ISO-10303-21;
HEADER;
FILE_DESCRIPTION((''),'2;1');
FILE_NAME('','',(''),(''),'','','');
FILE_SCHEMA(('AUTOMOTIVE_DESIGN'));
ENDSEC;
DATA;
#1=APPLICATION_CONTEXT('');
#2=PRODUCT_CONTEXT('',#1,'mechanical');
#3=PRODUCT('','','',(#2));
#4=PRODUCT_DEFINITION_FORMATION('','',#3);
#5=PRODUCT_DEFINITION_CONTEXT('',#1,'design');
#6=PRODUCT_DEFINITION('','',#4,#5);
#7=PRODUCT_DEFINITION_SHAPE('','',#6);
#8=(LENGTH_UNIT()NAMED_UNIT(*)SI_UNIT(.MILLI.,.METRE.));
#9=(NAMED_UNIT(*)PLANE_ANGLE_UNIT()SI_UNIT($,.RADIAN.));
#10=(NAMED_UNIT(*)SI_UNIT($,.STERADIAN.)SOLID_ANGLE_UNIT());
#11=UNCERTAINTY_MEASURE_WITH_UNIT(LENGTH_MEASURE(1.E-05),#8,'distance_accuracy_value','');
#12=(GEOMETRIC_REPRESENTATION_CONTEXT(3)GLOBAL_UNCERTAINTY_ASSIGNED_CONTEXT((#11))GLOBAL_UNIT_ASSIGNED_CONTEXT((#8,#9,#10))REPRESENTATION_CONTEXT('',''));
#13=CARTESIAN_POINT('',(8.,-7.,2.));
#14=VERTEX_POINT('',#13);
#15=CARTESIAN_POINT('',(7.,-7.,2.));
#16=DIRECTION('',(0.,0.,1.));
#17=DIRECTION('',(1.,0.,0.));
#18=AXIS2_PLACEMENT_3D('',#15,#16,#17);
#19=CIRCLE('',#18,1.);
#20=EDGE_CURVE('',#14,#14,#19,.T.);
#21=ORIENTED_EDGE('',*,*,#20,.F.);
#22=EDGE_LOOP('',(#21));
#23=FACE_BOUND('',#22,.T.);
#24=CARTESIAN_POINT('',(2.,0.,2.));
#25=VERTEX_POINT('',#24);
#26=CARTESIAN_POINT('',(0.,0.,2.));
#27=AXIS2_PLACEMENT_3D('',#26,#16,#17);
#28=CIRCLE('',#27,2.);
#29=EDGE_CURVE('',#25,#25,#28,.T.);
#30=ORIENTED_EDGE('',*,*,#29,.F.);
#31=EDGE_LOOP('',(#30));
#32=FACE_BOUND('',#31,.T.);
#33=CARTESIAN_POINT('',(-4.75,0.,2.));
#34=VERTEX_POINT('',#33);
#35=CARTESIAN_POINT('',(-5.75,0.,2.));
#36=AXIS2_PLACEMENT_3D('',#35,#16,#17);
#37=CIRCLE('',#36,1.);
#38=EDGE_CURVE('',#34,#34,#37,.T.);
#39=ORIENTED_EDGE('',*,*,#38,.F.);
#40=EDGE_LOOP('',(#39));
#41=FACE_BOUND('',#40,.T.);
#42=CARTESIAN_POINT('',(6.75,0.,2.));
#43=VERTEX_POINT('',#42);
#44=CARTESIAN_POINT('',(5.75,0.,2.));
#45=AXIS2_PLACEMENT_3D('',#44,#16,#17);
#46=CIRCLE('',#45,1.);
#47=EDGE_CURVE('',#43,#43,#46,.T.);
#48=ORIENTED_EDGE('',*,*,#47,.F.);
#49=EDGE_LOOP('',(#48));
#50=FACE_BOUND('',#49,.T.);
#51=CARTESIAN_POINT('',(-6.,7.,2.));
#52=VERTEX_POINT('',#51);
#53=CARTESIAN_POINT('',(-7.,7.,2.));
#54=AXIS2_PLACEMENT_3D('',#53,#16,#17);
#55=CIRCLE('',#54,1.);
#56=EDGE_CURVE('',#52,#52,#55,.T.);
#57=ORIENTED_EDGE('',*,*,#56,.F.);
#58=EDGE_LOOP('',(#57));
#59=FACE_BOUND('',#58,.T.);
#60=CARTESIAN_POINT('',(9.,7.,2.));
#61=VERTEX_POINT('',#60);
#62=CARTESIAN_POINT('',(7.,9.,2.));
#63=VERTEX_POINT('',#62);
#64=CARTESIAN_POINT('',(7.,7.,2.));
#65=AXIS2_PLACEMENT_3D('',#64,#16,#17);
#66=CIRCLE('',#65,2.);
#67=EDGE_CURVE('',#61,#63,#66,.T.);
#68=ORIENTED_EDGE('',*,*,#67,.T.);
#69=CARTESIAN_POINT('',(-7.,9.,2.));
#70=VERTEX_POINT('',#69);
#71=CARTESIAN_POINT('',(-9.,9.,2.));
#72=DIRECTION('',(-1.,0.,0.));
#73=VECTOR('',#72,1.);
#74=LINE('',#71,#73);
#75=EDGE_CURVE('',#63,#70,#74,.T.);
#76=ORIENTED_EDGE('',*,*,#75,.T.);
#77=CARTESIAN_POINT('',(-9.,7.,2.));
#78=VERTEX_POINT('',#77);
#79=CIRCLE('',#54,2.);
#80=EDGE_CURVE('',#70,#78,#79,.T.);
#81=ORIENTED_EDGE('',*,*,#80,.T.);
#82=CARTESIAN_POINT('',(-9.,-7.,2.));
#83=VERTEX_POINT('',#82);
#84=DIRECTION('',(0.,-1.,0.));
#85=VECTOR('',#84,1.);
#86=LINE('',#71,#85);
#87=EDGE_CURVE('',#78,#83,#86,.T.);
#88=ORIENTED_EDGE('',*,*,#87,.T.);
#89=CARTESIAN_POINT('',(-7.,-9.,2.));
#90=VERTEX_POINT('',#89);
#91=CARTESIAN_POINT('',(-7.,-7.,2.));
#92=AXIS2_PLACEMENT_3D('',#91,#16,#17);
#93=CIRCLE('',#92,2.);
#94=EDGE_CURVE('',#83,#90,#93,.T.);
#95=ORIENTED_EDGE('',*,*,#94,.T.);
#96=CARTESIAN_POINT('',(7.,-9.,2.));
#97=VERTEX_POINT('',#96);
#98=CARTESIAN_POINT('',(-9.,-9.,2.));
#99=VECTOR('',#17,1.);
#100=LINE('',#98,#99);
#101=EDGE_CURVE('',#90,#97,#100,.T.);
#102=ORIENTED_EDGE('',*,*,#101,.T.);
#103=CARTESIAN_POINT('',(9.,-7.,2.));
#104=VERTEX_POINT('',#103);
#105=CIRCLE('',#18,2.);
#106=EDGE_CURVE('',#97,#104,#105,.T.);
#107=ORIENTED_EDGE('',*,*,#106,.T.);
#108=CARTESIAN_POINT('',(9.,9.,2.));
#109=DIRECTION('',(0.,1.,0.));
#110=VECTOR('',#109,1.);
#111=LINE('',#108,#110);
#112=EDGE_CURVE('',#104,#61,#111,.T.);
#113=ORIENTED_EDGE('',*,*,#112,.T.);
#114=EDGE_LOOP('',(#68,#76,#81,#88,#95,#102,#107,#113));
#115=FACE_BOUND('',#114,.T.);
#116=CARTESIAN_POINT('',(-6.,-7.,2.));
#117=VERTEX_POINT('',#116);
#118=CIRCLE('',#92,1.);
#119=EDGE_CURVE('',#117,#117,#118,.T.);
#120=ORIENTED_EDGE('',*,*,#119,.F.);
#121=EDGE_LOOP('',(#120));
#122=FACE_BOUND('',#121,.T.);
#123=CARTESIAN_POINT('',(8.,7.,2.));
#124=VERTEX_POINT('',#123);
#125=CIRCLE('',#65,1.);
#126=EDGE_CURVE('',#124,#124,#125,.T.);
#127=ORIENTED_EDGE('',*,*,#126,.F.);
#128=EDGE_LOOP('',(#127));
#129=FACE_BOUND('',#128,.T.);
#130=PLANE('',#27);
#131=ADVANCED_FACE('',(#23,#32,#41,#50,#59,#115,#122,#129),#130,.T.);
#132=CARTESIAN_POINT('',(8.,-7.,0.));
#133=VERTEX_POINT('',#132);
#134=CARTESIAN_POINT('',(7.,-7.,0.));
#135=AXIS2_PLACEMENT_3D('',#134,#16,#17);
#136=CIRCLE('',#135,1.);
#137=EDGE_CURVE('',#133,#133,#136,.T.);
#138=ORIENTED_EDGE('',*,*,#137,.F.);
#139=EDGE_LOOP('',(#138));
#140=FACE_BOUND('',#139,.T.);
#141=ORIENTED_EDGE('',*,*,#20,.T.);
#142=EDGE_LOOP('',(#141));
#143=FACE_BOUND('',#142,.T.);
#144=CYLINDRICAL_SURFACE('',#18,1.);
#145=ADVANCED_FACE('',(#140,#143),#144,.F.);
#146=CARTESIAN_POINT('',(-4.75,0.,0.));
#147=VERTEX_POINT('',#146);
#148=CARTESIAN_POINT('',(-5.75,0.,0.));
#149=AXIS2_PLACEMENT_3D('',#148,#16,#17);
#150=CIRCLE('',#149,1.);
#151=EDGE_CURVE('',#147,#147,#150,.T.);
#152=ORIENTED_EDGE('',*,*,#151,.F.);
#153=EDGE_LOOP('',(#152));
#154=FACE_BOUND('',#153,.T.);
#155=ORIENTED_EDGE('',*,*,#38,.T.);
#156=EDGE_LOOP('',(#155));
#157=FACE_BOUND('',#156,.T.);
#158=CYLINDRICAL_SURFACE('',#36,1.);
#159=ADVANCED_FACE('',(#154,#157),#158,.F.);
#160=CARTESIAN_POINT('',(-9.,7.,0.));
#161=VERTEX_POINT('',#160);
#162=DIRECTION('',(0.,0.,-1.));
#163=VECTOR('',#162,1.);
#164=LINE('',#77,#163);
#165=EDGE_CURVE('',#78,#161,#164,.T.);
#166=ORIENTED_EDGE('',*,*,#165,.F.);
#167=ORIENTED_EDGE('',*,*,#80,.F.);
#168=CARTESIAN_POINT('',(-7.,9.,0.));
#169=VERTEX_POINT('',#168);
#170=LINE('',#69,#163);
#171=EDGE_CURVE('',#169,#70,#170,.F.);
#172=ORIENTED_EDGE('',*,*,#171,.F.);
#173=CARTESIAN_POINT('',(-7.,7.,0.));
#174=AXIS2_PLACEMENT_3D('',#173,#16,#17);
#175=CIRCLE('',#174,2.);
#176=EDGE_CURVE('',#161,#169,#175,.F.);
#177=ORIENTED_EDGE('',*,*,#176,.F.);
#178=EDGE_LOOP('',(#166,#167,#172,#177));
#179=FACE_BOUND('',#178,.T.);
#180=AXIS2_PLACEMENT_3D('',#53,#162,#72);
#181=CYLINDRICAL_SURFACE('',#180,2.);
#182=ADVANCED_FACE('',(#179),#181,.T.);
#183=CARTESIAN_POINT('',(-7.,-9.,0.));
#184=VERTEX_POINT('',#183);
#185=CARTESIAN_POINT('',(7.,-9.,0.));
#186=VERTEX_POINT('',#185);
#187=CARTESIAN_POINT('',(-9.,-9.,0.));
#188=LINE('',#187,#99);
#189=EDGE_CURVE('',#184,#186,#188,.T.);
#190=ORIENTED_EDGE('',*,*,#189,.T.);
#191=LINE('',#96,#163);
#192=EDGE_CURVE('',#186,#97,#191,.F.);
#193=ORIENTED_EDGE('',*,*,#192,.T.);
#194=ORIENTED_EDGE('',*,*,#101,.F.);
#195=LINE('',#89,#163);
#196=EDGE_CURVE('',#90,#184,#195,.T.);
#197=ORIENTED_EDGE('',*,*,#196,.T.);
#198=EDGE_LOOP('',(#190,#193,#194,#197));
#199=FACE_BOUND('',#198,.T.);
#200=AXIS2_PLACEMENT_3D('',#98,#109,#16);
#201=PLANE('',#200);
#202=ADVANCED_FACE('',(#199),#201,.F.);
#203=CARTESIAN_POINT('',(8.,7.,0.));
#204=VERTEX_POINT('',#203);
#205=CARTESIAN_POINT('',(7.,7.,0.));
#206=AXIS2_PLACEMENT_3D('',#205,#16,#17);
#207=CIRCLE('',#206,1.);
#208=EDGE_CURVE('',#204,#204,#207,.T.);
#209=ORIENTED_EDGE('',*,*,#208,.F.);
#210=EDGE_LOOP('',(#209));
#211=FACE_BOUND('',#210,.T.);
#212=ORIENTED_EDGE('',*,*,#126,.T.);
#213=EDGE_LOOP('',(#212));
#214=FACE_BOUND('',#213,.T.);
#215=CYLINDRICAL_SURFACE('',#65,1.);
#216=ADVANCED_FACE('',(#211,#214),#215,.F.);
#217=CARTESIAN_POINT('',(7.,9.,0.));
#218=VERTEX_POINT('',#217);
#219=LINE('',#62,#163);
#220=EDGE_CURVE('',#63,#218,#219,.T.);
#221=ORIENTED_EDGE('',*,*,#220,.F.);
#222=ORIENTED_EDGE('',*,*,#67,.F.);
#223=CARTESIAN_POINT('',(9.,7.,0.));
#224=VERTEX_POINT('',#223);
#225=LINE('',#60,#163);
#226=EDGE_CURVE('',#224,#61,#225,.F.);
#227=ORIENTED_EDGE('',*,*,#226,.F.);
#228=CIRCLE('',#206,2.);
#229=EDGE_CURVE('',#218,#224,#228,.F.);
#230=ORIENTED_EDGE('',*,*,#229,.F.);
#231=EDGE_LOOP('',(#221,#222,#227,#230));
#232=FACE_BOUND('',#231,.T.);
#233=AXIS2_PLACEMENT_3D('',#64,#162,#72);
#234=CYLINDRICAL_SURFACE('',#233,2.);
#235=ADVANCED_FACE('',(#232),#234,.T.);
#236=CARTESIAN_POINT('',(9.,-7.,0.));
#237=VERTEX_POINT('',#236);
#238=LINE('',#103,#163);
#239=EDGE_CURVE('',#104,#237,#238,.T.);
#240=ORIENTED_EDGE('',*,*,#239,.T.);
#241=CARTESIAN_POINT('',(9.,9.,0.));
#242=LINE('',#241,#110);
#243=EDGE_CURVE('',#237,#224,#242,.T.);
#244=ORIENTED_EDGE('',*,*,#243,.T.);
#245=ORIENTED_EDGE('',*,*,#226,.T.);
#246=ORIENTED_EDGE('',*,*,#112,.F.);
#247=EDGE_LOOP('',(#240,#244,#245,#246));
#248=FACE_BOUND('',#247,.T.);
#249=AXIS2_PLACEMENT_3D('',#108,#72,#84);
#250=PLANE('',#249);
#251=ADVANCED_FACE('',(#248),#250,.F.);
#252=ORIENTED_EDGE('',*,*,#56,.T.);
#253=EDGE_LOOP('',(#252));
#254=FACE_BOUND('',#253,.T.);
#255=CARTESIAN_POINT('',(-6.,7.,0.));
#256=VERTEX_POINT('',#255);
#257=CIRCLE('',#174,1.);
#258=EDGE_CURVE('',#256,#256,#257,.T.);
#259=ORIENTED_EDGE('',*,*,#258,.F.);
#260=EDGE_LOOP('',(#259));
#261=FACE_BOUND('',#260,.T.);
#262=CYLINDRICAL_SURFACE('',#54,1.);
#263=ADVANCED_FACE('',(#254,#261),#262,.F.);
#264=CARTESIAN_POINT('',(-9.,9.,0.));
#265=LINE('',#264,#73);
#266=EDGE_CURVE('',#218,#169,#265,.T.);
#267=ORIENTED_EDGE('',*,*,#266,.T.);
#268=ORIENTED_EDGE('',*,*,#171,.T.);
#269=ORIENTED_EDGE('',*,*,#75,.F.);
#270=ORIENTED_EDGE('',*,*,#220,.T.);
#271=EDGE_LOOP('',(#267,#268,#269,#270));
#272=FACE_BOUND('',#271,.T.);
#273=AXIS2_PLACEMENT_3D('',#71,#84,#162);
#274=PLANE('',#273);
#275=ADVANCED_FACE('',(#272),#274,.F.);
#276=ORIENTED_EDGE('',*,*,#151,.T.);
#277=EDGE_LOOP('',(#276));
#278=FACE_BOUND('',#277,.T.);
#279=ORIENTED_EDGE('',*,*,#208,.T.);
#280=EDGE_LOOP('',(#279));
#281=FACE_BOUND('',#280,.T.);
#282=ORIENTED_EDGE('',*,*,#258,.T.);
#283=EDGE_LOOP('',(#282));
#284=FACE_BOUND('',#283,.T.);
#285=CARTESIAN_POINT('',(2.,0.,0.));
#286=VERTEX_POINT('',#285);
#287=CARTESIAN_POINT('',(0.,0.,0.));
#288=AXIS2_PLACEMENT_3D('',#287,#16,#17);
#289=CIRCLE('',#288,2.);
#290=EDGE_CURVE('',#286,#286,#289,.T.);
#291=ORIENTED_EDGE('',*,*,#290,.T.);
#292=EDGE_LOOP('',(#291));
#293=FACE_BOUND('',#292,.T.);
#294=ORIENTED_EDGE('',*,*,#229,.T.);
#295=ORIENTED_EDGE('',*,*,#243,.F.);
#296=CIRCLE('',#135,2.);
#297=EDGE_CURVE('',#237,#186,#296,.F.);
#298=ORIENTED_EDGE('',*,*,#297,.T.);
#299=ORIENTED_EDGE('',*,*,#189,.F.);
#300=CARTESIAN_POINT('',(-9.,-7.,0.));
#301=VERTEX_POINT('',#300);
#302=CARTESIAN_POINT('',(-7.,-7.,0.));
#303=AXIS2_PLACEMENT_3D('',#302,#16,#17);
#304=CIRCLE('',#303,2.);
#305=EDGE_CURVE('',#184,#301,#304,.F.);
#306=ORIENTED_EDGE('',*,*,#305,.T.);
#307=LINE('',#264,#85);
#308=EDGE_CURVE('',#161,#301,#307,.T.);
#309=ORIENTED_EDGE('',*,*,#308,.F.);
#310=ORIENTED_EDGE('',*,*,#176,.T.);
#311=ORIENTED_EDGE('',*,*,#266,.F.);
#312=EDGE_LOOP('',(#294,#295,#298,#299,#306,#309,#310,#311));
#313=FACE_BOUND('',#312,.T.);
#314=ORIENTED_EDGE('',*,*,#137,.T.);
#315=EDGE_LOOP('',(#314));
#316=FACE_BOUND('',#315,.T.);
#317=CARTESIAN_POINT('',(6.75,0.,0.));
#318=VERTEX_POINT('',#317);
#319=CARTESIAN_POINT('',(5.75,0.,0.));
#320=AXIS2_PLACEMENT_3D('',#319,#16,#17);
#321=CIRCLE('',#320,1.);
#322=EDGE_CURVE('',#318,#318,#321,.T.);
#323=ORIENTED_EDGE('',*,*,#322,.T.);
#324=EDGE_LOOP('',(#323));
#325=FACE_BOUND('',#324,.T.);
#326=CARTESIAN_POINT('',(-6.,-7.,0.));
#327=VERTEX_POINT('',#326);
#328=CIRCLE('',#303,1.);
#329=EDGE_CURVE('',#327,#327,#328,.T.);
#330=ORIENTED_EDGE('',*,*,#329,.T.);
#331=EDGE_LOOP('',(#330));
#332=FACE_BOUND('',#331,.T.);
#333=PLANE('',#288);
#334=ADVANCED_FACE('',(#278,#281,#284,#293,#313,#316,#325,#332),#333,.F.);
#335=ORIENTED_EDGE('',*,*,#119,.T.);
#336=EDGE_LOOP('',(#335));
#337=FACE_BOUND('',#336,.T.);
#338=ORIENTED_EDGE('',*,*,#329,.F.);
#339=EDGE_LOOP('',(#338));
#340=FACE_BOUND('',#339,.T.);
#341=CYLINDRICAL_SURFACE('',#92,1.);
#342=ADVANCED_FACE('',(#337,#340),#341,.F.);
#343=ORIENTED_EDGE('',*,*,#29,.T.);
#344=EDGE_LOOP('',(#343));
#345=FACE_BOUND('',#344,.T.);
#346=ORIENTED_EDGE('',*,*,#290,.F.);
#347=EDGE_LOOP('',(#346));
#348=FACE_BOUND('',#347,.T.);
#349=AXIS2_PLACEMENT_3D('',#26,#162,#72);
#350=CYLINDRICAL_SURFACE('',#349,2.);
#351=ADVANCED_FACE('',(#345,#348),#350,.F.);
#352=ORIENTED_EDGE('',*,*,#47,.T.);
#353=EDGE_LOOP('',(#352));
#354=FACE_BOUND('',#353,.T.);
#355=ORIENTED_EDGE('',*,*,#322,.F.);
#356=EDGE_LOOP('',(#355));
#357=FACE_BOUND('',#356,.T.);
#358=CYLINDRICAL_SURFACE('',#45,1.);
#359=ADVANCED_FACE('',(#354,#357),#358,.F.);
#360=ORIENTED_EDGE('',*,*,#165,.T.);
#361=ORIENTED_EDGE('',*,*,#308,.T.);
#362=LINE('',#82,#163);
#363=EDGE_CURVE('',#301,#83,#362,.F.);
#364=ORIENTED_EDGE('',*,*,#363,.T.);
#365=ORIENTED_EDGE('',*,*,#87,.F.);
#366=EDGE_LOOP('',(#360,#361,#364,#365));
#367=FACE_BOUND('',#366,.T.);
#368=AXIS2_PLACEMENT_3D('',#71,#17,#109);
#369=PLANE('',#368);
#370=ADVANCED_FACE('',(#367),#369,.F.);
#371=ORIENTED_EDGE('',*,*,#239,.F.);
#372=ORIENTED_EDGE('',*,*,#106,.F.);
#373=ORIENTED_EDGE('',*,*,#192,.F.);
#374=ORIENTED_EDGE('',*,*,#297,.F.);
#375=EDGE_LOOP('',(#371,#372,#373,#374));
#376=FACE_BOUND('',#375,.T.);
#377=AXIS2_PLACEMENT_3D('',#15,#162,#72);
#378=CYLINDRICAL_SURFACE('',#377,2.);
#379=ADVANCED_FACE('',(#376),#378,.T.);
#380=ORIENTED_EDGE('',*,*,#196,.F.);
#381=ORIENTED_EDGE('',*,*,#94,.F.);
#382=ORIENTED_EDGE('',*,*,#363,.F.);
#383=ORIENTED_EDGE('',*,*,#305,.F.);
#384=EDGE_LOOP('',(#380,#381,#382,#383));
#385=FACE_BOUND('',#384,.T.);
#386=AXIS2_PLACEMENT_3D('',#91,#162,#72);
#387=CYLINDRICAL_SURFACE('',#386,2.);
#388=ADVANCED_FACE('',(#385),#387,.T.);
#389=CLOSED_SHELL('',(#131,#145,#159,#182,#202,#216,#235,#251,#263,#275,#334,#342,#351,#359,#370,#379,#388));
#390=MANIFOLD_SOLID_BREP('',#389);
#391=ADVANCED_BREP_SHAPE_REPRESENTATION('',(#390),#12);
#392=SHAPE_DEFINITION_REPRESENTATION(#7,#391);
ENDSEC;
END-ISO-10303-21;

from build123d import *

# Parameters (mm, degrees)
SKETCH_1_W      = 18
SKETCH_1_H      = 18
SKETCH_1_R      = 2
EXTRUDE_1_DEPTH = 2
MM_1_D          = 2
FILLET_1_R      = 2
MM_2_D          = 2


with BuildPart() as part:
    # 草图1 → 凸台-拉伸1 (new body)
    with BuildSketch(Plane.XY):
        Rectangle(SKETCH_1_W, SKETCH_1_H)
        Circle(SKETCH_1_R, mode=Mode.SUBTRACT)
    extrude(amount=EXTRUDE_1_DEPTH)

    # 大小mm 暗销孔1 (through all)
    with Locations(Plane(origin=(-7, 7, 2), x_dir=(1, 0, 0), z_dir=(0, 0, 1))):
        with Locations((0, 0), (14, 0), (14, -14), (0, -14)):
            Hole(MM_1_D / 2)

    # 圆角1
    fillet_1_edges = [part.edges().sort_by_distance(p)[0] for p in [
        (9, -9, 1),
        (-9, -9, 1),
        (-9, 9, 1),
        (9, 9, 1),
    ]]
    fillet(fillet_1_edges, radius=FILLET_1_R)

    # 大小mm 暗销孔2 (through all)
    with Locations(Plane(origin=(-5.75, 0, 2), x_dir=(1, 0, 0), z_dir=(0, 0, 1))):
        with Locations((0, 0), (11.5, 0)):
            Hole(MM_2_D / 2)


solid = part.part
